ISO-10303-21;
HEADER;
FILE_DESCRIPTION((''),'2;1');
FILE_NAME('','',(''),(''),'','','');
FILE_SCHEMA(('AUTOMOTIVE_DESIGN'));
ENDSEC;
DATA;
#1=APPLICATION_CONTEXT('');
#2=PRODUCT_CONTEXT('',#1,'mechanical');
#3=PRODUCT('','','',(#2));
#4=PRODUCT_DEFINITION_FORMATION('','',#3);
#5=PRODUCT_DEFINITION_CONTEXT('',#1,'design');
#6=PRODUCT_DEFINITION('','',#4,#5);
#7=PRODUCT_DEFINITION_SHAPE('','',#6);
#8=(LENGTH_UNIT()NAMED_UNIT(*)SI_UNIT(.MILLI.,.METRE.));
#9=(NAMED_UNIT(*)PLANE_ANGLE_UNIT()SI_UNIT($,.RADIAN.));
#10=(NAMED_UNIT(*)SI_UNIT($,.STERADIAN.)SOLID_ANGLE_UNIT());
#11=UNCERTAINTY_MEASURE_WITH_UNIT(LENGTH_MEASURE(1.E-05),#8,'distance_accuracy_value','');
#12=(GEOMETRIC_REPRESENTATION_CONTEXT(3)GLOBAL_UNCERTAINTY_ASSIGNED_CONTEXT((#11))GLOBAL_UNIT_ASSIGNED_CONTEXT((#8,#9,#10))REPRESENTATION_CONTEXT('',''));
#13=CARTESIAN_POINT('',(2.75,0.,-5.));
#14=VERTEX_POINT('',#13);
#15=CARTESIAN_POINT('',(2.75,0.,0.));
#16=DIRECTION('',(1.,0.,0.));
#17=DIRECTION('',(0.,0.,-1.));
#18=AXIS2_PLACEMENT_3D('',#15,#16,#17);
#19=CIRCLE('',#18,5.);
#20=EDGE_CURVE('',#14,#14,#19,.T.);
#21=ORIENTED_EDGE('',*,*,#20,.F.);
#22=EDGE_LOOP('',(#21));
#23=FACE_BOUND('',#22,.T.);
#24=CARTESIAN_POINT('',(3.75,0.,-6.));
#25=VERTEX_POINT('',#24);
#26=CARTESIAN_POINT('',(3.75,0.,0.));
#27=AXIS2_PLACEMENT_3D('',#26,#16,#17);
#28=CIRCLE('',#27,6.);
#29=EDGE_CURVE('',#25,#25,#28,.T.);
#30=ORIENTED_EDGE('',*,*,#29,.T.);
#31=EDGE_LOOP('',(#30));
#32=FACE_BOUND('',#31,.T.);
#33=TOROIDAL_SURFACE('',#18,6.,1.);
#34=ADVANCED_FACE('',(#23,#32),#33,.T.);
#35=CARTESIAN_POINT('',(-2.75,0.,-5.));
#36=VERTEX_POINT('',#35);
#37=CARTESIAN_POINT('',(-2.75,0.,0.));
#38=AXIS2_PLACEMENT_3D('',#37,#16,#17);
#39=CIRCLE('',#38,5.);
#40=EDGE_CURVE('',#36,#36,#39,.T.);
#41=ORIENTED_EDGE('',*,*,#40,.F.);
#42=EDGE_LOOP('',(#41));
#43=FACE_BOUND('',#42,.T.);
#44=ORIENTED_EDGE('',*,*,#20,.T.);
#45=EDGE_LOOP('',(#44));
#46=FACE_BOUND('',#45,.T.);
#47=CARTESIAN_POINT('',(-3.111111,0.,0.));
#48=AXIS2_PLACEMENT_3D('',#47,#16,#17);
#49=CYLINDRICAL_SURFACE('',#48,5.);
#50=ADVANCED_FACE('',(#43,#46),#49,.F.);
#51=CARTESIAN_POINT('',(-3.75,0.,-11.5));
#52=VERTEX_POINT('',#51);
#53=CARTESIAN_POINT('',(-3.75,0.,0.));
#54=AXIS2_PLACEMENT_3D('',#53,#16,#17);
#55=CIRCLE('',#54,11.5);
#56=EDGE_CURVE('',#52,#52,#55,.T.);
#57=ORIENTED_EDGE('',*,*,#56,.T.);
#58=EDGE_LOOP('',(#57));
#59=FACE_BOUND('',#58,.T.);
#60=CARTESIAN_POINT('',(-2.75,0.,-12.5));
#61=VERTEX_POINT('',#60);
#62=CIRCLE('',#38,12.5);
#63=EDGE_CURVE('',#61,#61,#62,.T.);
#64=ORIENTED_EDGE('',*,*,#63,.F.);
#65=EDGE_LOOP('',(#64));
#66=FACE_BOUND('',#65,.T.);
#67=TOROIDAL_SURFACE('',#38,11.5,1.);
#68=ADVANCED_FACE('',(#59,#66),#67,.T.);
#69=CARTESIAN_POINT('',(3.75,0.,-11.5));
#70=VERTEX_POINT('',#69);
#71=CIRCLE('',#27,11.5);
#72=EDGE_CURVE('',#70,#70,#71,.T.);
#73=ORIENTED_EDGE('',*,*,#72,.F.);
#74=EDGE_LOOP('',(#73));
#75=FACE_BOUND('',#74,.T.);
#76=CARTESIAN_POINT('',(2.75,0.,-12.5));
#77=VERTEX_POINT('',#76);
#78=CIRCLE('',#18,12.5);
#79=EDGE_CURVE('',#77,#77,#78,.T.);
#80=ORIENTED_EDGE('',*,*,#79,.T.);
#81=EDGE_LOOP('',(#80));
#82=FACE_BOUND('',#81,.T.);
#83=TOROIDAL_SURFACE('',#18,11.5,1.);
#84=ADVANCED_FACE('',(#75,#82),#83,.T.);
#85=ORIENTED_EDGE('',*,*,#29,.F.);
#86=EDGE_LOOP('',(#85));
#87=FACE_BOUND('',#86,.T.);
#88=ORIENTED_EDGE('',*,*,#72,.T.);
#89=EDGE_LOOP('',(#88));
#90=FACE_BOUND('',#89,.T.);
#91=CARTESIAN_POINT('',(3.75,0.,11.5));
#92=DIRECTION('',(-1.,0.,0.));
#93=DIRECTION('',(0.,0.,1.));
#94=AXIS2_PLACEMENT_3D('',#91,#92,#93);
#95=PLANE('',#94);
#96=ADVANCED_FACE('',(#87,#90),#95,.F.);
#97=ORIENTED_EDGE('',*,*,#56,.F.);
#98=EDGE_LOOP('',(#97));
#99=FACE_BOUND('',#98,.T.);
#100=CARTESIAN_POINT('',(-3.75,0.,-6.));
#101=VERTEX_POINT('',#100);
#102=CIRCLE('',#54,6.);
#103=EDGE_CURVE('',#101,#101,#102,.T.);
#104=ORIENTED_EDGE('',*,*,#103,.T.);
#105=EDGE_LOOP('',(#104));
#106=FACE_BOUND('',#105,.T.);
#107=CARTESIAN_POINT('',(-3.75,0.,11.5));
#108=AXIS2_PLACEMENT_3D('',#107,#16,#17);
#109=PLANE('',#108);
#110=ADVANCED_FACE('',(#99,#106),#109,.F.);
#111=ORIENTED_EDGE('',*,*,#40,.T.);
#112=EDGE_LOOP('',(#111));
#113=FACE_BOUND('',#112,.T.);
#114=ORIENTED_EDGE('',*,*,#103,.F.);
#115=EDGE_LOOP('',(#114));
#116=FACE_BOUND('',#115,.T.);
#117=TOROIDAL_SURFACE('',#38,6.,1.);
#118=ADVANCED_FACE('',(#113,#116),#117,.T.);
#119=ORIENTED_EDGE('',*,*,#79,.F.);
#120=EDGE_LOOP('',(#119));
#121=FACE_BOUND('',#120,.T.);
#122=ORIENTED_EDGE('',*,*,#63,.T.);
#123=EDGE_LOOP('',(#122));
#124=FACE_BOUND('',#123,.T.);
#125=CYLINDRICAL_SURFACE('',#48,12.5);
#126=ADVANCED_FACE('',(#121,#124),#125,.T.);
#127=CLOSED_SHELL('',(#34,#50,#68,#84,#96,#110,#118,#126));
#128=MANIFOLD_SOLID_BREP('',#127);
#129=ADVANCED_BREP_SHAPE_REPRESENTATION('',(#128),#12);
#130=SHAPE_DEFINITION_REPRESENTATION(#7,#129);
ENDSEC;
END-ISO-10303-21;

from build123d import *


with BuildPart() as part:
    # Sketch1 → Revolve1 (revolve)
    with BuildSketch(Plane(origin=(0, 0, 0), x_dir=(-1, 0, 0), z_dir=(0, 1, 0)), mode=Mode.PRIVATE) as revolve1_sk:
        with BuildLine():
            Line((2.75, 12.5), (-2.75, 12.5))
            ThreePointArc((-2.75, 12.5), (-3.457106781, 12.207106781), (-3.75, 11.5))
            Line((-3.75, 11.5), (-3.75, 6))
            ThreePointArc((-3.75, 6), (-3.457106781, 5.292893219), (-2.75, 5))
            Line((-2.75, 5), (2.75, 5))
            ThreePointArc((2.75, 5), (3.457106781, 5.292893219), (3.75, 6))
            Line((3.75, 6), (3.75, 11.5))
            ThreePointArc((3.75, 11.5), (3.457106781, 12.207106781), (2.75, 12.5))
        make_face()
    revolve(revolve1_sk.sketch.rotate(Axis((-3.111111111, 0, 0), (-1, 0, 0)), 180), axis=Axis((-3.111111111, 0, 0), (-1, 0, 0)))


solid = part.part
